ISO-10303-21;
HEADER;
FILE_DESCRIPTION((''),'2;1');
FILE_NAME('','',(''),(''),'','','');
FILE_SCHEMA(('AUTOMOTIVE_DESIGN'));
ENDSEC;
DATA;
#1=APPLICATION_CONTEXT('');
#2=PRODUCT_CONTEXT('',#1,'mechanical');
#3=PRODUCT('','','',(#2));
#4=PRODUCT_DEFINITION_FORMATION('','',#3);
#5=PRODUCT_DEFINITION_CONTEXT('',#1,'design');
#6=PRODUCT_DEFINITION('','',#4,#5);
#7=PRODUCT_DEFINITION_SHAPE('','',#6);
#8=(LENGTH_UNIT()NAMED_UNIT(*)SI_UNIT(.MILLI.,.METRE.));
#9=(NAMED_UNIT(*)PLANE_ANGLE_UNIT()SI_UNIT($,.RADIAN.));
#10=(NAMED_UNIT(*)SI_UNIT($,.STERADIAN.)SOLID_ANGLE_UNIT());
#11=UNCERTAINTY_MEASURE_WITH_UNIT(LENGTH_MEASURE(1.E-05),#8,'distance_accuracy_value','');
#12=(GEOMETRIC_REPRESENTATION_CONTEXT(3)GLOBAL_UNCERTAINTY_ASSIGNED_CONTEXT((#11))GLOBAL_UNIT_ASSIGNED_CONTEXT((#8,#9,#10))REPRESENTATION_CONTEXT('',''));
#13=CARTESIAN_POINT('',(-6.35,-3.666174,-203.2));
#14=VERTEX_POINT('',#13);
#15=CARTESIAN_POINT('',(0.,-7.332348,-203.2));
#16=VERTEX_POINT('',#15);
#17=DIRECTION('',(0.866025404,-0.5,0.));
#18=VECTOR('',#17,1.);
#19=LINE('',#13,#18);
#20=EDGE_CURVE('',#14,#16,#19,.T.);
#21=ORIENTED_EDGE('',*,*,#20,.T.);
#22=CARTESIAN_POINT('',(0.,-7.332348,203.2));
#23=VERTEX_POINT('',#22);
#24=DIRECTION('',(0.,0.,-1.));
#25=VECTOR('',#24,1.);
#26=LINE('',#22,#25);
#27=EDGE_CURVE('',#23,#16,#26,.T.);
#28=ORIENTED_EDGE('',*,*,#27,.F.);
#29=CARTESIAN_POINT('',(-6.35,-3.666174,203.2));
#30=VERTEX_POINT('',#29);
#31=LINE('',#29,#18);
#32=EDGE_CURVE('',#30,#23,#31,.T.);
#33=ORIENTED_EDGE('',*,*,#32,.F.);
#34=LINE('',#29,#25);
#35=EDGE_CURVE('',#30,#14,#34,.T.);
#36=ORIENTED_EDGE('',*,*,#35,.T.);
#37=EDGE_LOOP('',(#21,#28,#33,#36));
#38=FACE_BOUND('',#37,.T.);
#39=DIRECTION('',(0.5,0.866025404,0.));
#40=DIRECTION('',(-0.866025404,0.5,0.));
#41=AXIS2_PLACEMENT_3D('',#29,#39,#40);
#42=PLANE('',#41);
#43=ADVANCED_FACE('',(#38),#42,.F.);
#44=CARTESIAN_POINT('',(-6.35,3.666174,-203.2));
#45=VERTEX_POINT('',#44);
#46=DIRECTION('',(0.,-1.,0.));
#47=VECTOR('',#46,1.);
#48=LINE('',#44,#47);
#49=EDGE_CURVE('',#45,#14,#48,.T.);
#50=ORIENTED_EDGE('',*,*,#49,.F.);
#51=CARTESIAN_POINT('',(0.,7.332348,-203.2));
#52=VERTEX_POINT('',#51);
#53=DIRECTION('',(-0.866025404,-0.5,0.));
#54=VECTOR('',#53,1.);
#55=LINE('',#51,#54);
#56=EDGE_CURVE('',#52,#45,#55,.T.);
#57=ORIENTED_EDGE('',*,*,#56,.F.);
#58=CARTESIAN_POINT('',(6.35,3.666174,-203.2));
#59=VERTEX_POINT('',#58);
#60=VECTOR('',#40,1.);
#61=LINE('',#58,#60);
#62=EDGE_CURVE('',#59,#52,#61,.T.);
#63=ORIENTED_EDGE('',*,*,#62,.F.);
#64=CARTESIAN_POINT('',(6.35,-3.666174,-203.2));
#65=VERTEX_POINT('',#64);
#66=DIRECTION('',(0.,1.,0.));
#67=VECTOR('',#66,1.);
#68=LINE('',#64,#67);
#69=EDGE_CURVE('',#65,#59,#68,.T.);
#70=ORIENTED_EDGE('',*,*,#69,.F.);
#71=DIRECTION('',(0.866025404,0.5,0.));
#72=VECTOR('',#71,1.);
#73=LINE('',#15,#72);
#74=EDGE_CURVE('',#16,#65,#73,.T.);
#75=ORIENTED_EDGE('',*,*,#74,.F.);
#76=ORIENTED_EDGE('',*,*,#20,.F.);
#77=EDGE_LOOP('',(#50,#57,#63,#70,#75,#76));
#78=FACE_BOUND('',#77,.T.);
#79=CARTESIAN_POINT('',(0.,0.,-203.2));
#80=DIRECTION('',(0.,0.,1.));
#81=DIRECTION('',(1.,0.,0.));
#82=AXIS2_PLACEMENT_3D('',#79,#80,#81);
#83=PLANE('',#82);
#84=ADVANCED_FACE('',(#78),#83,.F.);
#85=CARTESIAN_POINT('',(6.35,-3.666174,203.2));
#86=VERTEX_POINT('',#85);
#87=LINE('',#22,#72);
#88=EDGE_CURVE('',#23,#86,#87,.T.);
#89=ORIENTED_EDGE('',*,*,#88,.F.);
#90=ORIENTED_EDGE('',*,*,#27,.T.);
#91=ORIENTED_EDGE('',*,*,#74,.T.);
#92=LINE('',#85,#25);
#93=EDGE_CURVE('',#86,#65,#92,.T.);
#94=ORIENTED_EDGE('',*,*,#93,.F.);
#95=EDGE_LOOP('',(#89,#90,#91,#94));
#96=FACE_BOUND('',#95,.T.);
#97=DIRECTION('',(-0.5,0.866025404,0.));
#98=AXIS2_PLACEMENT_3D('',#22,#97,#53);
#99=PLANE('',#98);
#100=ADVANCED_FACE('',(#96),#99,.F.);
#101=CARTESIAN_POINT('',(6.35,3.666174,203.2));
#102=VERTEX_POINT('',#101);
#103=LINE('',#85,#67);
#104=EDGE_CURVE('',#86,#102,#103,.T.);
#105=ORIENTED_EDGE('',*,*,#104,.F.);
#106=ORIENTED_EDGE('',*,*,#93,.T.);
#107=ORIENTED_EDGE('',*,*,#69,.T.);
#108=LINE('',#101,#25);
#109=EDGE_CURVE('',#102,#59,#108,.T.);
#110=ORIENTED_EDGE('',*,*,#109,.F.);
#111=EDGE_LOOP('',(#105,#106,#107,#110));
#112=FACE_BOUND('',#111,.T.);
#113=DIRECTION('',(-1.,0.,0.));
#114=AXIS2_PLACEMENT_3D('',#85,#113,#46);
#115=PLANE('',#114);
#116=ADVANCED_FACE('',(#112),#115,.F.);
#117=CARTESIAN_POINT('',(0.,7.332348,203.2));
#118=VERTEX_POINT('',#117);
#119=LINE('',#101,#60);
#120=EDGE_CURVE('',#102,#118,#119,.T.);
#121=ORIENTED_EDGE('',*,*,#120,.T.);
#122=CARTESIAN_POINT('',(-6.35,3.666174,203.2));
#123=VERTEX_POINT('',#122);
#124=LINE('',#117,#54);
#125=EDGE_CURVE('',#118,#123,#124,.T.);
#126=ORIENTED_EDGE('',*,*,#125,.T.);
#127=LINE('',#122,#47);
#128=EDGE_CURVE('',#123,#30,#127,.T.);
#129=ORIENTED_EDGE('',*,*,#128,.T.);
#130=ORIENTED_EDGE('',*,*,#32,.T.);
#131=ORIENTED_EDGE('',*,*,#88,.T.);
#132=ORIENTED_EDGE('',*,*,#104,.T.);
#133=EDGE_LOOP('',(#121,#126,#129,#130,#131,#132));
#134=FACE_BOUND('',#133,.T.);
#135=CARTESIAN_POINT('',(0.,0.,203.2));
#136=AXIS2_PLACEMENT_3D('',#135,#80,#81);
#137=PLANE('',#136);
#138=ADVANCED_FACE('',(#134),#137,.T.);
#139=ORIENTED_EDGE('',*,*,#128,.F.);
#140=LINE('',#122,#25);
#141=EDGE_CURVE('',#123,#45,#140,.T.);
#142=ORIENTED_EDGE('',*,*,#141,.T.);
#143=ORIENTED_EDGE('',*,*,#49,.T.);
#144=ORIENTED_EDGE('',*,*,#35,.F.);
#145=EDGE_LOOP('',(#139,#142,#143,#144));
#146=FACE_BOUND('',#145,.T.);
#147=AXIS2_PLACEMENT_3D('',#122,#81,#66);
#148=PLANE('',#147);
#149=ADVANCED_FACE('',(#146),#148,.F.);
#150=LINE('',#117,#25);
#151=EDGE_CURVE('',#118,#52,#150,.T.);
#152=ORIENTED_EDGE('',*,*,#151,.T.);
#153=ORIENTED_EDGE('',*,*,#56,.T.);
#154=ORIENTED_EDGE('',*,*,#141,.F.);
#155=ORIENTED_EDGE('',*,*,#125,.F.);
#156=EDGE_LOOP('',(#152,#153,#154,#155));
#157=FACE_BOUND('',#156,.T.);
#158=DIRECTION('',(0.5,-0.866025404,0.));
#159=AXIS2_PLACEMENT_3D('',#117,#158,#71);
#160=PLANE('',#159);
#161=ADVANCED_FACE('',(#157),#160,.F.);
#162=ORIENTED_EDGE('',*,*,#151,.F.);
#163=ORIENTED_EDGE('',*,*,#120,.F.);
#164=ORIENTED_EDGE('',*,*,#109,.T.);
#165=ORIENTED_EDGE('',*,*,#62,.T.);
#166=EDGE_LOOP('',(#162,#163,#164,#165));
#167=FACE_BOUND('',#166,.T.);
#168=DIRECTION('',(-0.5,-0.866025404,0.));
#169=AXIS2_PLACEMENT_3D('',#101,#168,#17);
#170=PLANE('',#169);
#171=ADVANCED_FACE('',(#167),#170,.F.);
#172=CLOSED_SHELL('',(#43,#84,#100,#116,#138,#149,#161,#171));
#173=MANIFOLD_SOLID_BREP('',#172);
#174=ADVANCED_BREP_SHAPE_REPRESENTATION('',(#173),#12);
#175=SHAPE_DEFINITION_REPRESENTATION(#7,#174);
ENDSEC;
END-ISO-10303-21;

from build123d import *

# Parameters (mm, degrees)
BOSS_EXTRUDE1_DEPTH = 203.2


with BuildPart() as part:
    # Sketch1 → Boss-Extrude1 (new body, symmetric)
    with BuildSketch(Plane.XY):
        Polygon((0, -7.332348419), (6.35, -3.666174209), (6.35, 3.666174209), (0, 7.332348419), (-6.35, 3.666174209), (-6.35, -3.666174209), align=None)
    extrude(amount=BOSS_EXTRUDE1_DEPTH, both=True)


solid = part.part
